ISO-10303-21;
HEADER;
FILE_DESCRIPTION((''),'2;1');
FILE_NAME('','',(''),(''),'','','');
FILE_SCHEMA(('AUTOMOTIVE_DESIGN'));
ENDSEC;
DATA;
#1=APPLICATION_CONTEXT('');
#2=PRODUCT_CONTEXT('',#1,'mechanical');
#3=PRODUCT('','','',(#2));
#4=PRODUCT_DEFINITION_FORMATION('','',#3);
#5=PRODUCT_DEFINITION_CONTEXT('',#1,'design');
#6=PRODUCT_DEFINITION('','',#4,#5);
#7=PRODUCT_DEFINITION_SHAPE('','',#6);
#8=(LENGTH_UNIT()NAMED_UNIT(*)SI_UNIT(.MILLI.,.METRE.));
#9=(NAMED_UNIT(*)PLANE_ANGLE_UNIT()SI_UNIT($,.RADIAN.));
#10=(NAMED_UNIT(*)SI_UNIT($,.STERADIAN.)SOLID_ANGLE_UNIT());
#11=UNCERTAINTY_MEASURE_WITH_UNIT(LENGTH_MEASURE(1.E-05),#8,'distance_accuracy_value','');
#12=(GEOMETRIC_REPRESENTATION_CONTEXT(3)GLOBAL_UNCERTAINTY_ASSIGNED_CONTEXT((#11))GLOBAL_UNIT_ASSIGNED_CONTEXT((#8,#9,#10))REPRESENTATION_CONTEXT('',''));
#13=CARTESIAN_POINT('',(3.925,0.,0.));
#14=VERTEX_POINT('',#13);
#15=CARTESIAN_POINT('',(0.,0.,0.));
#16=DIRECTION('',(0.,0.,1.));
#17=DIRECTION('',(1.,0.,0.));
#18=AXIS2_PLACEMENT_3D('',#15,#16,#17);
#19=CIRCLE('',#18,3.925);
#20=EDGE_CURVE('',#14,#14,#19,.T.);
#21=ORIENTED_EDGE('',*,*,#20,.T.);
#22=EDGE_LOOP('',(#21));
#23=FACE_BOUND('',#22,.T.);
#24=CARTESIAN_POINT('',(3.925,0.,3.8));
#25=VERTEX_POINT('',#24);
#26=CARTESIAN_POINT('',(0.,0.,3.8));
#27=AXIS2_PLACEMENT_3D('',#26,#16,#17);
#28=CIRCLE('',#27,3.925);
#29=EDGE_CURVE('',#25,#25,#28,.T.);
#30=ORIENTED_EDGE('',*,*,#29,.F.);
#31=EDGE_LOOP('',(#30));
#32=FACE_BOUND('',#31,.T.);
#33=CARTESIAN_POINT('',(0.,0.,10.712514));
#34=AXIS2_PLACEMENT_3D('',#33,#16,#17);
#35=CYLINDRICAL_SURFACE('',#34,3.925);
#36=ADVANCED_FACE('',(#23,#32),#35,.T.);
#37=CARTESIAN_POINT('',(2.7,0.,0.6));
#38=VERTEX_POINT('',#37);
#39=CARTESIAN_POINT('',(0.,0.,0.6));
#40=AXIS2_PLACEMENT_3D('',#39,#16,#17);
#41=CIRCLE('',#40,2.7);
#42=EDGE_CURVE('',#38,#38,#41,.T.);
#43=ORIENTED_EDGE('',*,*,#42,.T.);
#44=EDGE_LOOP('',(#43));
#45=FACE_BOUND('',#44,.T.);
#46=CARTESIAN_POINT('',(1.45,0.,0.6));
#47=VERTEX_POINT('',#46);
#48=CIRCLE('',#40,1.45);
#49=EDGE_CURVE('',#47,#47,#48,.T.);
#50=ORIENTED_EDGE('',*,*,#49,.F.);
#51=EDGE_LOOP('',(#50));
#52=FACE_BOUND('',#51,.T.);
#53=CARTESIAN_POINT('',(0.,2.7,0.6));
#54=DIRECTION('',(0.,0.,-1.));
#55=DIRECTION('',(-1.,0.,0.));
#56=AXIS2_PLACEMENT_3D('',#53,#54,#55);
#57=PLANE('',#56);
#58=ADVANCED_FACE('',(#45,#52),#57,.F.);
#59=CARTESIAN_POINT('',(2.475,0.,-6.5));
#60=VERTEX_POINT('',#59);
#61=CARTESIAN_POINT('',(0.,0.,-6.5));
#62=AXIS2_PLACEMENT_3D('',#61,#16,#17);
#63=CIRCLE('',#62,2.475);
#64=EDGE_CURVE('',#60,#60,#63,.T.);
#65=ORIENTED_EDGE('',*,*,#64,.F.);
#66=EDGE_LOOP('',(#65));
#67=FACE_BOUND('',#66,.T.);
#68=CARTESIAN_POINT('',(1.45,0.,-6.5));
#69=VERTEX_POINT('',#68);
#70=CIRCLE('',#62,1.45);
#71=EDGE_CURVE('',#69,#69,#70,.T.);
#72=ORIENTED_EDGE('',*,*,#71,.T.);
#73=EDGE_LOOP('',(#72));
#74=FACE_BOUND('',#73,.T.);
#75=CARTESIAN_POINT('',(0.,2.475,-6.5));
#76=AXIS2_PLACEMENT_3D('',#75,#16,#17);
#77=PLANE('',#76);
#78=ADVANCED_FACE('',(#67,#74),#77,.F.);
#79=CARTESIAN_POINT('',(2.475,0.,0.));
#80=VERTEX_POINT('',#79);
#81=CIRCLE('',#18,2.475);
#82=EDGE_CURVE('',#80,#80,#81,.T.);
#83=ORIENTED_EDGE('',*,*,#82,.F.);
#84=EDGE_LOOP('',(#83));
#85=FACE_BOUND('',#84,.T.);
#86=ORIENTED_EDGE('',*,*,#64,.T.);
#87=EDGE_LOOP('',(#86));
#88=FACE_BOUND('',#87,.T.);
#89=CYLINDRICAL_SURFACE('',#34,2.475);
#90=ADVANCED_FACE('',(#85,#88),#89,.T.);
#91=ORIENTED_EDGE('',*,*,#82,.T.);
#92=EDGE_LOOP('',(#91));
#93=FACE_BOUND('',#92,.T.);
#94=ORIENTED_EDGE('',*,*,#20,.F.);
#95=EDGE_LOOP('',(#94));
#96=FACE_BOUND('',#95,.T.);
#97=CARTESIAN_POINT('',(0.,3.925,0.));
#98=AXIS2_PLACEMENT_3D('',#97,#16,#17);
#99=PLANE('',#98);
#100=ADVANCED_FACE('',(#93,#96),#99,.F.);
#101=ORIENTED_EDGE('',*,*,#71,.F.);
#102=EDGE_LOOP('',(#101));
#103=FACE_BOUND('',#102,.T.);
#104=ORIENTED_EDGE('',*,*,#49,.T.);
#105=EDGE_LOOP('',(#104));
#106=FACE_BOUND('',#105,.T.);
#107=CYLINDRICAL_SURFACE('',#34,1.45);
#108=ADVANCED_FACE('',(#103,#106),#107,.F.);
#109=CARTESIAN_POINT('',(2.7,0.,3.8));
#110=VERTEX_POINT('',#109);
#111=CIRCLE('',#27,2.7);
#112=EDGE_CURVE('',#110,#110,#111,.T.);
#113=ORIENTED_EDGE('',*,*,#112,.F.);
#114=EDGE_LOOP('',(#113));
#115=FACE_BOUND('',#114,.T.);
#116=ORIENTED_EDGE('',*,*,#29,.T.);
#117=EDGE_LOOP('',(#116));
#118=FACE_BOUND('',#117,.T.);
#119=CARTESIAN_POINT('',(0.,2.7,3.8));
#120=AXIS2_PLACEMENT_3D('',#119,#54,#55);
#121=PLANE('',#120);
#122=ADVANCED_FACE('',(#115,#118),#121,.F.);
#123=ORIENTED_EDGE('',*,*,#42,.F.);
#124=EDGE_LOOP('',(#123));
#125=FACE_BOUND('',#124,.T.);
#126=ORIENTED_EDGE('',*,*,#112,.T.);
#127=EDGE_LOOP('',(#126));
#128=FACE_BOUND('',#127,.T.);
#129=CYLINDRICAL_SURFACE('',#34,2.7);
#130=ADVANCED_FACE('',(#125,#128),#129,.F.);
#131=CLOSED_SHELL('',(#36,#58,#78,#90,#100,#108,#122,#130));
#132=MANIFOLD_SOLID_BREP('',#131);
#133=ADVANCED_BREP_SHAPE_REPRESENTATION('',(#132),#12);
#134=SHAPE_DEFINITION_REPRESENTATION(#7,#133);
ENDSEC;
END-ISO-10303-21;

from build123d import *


with BuildPart() as part:
    # Croquis1 → Revolución1 (revolve)
    with BuildSketch(Plane(origin=(0, 0, 0), x_dir=(0, 0, -1), z_dir=(1, 0, 0)), mode=Mode.PRIVATE) as revoluci_n1_sk:
        Polygon((-3.8, 3.925), (0, 3.925), (0, 2.475), (6.5, 2.475), (6.5, 1.45), (-0.6, 1.45), (-0.6, 2.7), (-3.8, 2.7), align=None)
    revolve(revoluci_n1_sk.sketch.rotate(Axis((0, 0, 10.712513893), (0, 0, -1)), 90), axis=Axis((0, 0, 10.712513893), (0, 0, -1)))


solid = part.part
